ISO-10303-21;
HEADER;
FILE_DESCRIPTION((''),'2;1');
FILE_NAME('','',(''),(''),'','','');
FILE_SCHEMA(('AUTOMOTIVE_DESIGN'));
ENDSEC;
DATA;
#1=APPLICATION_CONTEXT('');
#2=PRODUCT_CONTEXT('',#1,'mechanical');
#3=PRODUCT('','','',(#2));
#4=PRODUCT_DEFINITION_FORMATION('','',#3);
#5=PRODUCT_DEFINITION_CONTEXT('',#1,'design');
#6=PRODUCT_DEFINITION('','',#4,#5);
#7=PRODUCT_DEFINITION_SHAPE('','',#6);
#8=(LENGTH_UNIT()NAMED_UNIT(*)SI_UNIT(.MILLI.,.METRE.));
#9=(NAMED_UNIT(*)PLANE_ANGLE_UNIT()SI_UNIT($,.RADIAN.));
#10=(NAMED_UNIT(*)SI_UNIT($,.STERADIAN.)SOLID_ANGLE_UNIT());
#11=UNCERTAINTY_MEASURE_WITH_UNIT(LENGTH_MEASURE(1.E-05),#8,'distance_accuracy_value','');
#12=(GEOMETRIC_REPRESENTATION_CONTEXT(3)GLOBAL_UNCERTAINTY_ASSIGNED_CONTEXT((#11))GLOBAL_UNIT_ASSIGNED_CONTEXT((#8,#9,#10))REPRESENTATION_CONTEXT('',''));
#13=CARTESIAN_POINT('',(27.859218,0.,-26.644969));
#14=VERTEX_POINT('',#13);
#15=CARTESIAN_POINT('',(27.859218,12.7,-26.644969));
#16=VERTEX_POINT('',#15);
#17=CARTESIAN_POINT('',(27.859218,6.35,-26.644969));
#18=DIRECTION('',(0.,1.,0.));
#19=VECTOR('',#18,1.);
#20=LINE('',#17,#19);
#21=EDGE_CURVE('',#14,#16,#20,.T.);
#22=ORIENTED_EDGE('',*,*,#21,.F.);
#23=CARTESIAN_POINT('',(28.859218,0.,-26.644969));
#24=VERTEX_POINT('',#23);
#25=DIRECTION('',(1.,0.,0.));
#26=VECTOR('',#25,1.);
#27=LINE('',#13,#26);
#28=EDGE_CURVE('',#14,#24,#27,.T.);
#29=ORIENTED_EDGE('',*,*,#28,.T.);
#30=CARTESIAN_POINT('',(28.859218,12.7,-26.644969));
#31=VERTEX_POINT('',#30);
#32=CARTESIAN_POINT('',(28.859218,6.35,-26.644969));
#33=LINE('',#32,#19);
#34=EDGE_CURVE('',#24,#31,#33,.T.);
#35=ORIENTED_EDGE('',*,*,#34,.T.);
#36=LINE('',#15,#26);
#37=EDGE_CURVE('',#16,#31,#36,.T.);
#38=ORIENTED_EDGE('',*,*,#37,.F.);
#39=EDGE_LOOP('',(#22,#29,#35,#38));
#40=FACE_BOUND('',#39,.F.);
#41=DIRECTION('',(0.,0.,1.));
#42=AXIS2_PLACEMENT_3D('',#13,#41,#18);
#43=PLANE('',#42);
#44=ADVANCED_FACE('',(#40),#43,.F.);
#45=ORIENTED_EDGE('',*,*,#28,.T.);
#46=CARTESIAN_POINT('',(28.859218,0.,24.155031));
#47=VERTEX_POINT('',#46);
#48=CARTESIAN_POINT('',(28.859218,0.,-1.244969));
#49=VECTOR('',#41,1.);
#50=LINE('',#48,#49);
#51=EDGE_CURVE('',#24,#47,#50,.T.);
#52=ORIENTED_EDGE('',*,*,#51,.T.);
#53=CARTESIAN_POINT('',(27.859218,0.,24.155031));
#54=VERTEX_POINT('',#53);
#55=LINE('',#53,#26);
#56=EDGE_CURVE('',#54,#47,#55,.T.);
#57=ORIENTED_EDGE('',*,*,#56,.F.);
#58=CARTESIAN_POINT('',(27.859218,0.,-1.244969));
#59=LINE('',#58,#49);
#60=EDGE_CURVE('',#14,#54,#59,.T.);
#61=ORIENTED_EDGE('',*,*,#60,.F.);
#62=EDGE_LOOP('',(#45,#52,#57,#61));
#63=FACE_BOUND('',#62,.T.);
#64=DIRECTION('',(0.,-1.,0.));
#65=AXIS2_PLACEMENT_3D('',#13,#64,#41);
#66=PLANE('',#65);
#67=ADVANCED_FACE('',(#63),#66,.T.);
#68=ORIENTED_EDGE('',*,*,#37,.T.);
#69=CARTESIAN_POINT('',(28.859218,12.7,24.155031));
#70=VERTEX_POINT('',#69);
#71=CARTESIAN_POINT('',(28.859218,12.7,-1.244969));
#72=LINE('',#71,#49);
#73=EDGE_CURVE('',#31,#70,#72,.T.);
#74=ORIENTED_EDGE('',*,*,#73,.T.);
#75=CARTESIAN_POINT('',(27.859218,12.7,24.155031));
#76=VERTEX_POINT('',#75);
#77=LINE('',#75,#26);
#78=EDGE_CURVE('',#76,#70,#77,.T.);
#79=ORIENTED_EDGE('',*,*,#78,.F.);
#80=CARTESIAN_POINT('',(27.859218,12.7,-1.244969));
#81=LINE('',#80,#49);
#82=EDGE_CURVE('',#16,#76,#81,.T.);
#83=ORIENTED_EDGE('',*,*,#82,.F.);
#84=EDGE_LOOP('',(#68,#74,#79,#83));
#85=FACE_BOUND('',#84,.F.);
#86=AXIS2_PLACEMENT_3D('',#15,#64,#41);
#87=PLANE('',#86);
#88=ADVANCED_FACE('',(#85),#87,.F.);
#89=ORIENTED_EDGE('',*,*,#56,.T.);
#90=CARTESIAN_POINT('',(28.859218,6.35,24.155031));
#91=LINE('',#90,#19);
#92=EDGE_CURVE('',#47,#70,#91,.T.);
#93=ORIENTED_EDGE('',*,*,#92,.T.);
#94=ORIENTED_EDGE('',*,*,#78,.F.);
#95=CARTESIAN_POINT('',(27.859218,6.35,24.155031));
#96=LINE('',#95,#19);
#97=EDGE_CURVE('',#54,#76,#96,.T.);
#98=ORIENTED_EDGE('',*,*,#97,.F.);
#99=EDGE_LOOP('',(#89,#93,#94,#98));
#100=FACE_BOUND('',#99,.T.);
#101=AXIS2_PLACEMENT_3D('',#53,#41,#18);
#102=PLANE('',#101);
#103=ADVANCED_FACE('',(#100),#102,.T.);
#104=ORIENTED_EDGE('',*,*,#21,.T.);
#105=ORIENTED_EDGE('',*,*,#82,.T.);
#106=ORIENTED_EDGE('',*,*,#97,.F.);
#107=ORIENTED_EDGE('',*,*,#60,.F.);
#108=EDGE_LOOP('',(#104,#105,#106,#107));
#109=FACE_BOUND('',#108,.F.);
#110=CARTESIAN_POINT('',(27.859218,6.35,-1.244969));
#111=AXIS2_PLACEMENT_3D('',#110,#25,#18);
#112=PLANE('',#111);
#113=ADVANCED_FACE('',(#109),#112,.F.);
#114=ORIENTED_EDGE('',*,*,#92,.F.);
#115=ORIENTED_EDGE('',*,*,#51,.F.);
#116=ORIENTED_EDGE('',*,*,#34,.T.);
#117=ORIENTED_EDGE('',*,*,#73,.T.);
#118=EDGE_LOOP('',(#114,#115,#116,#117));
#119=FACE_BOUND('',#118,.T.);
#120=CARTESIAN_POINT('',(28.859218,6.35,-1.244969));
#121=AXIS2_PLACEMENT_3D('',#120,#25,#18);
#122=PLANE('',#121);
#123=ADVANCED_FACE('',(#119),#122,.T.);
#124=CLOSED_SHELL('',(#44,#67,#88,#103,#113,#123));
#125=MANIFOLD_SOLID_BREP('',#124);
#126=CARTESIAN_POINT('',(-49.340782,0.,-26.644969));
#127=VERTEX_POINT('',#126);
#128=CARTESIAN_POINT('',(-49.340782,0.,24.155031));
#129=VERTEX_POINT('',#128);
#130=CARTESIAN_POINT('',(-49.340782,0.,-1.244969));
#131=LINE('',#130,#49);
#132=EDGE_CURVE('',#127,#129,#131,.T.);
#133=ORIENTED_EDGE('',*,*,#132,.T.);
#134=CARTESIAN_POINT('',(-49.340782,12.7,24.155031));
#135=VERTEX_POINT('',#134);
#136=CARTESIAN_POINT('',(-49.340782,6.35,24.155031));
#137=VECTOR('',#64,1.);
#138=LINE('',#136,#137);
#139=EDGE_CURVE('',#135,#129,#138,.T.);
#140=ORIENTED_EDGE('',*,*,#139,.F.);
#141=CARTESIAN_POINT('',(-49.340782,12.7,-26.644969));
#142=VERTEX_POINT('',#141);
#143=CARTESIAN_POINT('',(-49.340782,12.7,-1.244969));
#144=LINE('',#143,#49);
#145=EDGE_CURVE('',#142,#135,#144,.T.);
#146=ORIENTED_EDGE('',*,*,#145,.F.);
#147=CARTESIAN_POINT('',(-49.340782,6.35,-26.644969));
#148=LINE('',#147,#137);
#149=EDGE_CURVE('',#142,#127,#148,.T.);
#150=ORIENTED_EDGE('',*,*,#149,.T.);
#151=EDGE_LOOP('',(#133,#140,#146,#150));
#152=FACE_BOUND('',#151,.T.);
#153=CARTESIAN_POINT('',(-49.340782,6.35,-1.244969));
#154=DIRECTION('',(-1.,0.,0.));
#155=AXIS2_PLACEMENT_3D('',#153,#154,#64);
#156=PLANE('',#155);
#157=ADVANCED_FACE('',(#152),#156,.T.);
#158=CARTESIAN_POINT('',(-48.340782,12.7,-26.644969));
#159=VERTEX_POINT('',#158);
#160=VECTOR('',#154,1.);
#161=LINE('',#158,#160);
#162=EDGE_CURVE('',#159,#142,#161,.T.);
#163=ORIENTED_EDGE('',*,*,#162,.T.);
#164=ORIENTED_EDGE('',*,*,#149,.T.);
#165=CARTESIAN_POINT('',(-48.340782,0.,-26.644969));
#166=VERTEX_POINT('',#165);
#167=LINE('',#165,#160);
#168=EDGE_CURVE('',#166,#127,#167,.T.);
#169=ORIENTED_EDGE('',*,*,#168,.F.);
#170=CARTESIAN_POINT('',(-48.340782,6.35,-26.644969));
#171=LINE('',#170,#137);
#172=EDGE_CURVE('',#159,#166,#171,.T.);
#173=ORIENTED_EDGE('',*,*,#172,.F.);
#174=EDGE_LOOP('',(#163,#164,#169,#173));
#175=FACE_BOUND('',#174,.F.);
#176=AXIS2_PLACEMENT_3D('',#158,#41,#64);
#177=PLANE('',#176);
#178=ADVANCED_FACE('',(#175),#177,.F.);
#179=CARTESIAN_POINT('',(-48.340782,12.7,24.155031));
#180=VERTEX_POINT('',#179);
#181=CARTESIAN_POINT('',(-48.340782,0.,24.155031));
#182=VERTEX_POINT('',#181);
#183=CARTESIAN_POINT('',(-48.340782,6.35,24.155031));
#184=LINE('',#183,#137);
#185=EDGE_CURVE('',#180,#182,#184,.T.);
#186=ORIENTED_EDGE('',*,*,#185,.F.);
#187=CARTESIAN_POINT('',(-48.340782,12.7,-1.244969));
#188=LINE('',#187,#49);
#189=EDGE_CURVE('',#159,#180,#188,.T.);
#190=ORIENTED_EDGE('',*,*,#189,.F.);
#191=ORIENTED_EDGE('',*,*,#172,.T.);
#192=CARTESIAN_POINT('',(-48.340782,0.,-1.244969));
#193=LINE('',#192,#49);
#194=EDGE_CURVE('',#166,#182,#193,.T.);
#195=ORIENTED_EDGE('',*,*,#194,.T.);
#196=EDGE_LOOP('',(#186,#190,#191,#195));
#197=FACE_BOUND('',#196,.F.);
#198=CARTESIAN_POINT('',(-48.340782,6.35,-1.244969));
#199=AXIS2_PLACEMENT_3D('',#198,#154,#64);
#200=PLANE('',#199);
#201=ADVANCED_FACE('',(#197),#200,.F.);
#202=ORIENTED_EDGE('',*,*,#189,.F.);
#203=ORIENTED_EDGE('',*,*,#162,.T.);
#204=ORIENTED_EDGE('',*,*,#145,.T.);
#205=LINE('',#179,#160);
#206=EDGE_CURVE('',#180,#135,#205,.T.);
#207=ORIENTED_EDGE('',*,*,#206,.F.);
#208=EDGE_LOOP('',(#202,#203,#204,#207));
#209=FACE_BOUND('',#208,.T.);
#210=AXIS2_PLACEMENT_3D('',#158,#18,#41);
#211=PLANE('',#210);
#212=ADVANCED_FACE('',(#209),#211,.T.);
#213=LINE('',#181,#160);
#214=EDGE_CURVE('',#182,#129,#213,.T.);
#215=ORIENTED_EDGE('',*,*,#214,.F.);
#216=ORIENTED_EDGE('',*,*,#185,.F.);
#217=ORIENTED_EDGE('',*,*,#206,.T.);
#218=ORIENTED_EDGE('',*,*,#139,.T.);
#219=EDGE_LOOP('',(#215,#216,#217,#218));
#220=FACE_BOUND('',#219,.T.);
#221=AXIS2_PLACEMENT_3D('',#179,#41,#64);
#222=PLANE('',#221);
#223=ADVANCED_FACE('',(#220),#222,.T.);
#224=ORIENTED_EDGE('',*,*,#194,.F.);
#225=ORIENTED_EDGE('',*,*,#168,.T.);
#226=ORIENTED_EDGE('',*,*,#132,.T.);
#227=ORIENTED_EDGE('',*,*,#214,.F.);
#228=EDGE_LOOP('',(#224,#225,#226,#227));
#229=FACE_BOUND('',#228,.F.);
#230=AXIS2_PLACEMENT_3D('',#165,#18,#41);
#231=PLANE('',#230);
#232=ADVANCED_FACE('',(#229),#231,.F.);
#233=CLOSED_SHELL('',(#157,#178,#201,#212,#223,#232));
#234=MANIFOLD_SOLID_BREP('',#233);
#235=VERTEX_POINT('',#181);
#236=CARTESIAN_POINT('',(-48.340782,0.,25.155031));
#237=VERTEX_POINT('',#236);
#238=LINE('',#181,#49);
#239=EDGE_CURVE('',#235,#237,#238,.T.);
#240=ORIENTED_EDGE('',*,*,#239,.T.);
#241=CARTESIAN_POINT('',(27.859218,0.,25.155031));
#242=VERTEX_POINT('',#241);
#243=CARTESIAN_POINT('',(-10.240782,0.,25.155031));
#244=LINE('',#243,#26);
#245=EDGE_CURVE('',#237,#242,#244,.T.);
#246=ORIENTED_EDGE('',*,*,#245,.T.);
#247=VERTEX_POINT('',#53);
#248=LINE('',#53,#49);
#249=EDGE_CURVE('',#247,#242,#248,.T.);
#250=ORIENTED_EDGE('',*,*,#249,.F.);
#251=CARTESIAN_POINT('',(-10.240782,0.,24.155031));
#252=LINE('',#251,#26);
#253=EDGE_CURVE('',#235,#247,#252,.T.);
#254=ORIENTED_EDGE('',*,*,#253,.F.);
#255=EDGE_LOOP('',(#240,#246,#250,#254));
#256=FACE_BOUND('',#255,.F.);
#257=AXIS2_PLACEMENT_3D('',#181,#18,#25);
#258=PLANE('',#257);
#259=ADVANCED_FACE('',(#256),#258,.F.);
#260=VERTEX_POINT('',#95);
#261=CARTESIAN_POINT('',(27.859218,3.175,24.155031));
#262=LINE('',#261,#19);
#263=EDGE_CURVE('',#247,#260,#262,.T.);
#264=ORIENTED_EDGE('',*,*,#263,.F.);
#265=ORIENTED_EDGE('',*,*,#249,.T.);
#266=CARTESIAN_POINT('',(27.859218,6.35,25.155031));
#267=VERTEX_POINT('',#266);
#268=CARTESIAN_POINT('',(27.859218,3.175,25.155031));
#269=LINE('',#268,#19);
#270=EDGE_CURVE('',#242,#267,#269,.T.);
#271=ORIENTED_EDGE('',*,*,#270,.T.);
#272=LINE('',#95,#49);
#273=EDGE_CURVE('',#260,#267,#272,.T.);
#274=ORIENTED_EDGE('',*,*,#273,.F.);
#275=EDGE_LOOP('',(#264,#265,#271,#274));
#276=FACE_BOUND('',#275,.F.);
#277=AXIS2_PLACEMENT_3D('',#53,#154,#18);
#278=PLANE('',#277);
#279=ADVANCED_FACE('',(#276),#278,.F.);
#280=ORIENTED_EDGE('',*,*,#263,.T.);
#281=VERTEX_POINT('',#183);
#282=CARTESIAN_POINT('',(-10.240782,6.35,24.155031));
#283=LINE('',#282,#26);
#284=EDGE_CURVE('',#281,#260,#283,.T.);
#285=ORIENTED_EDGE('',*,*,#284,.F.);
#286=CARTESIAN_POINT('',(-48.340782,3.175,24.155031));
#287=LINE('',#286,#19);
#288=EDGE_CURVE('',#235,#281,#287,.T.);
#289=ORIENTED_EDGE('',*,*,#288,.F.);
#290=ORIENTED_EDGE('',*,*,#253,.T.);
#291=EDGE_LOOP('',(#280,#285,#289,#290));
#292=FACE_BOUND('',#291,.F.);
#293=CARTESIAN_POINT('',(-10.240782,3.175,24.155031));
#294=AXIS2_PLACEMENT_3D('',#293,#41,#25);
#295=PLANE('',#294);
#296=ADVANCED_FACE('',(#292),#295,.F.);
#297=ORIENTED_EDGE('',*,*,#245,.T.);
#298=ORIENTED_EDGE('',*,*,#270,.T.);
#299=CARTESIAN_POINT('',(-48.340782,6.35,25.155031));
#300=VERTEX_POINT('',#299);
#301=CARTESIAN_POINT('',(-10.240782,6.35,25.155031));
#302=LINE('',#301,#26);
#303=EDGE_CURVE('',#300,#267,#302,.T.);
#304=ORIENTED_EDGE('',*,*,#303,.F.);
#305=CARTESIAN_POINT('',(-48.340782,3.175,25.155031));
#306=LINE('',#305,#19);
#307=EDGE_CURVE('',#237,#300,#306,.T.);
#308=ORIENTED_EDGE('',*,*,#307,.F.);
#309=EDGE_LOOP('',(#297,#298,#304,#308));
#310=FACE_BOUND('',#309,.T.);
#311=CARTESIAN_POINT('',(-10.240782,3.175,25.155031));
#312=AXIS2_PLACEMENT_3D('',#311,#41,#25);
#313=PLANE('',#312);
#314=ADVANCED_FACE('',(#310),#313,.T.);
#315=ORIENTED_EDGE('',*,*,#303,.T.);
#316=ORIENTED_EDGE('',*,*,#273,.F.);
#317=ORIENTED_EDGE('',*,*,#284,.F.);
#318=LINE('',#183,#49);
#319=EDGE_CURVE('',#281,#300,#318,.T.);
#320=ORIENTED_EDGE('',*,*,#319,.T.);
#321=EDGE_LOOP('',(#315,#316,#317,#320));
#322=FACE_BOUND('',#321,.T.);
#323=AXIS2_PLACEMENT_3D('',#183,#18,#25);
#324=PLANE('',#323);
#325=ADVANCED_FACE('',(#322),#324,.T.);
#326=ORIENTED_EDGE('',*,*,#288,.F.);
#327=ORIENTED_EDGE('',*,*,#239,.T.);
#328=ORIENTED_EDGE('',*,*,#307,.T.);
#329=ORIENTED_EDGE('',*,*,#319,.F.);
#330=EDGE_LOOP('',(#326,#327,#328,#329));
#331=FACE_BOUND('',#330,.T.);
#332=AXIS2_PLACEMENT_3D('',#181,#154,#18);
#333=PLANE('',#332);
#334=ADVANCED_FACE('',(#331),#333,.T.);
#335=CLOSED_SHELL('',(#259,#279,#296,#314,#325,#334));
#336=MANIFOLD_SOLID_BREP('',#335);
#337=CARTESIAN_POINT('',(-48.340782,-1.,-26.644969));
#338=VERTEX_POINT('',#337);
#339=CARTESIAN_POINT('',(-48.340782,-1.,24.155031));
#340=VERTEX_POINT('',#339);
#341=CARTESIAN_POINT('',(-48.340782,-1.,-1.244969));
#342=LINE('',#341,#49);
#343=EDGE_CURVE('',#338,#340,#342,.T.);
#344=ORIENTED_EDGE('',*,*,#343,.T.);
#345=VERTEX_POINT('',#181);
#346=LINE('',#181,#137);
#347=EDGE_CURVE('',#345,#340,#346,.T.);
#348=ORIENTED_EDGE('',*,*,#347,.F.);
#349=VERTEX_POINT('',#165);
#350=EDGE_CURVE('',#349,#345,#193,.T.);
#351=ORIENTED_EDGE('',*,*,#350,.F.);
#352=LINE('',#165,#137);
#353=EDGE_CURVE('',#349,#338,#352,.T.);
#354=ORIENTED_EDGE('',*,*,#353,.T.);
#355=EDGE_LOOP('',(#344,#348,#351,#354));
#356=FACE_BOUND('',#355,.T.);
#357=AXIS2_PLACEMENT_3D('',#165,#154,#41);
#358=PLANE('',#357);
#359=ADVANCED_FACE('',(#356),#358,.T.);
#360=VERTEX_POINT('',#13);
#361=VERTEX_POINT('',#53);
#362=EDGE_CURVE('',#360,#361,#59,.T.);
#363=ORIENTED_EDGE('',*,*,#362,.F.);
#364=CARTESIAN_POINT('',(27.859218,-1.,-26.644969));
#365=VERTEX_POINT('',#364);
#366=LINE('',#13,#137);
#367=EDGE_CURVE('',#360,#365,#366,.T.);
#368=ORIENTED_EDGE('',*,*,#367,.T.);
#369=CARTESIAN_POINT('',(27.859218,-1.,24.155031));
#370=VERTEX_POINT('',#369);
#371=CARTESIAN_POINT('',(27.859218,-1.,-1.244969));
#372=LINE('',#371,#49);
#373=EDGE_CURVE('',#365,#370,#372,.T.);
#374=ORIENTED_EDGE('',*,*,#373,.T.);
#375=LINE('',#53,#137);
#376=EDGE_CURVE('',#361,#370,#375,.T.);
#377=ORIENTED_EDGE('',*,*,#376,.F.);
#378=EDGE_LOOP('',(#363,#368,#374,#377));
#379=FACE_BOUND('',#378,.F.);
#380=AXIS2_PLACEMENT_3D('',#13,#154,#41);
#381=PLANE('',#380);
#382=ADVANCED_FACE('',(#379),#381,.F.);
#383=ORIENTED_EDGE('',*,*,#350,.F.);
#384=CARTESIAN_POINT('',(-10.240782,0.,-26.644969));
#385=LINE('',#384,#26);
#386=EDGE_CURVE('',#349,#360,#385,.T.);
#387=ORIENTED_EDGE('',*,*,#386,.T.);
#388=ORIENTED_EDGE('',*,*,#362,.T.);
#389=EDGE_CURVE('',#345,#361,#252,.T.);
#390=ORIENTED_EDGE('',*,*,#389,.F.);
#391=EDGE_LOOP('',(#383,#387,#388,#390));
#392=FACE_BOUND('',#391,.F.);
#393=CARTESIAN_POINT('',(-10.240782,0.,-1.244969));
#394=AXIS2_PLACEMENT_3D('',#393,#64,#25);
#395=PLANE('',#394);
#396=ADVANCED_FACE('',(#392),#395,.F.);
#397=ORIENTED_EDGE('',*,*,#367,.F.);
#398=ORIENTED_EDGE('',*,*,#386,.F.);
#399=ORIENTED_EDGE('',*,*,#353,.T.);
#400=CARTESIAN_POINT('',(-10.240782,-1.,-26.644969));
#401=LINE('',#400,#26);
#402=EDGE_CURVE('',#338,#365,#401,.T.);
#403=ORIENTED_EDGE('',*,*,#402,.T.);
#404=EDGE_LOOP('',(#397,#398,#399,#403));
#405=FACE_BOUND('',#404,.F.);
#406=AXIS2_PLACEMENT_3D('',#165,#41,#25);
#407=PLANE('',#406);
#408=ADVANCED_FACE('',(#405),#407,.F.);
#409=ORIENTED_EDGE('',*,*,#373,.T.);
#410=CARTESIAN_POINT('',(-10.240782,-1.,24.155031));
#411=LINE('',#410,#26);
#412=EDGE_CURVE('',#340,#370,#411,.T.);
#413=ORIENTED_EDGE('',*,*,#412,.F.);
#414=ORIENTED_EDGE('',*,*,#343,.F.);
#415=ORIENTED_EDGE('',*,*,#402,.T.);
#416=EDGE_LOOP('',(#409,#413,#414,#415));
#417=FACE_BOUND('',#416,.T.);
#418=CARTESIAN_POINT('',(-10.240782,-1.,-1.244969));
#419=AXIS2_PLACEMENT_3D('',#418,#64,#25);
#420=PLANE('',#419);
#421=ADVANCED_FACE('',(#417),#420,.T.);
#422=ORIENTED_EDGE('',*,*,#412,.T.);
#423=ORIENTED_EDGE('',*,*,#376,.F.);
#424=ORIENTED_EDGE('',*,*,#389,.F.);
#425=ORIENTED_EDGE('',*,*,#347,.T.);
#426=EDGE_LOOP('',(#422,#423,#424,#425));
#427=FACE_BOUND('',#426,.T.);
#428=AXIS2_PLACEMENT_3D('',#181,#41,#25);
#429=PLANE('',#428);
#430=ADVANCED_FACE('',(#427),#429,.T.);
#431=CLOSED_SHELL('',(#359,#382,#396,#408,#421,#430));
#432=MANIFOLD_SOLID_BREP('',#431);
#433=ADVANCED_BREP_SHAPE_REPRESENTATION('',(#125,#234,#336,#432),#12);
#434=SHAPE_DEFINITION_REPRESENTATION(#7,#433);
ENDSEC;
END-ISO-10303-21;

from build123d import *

# Parameters (mm, degrees)
F0_W     = 76.2
F0_H     = 50.8
F1_DEPTH = 1
F2_W     = 12.7
F2_H     = 50.8
F3_DEPTH = 1
F4_W     = 12.7
F4_H     = 50.8
F5_DEPTH = 1
F6_W     = 76.2
F6_H     = 6.35
F7_DEPTH = 1


with BuildPart() as f1:
    # F0 (on Front) → F1 (new body)
    with BuildSketch(Plane.XZ):
        with Locations((-10.240782, -1.244969)):
            Rectangle(F0_W, F0_H)
    extrude(amount=F1_DEPTH)


with BuildPart() as f3:
    # F2 (on face) → F3 (new body)
    with BuildSketch(Plane.YZ.offset(27.859218)):
        with Locations((6.35, -1.244969)):
            Rectangle(F2_W, F2_H)
    extrude(amount=F3_DEPTH)


with BuildPart() as f5:
    # F4 (on face) → F5 (new body)
    with BuildSketch(Plane(origin=(-48.340782, 0, 0), x_dir=(0, -1, 0), z_dir=(-1, 0, 0))):
        with Locations((-6.35, -1.244969)):
            Rectangle(F4_W, F4_H)
    extrude(amount=F5_DEPTH)


with BuildPart() as f7:
    # F6 (on face) → F7 (new body)
    with BuildSketch(Plane.XY.offset(24.155031)):
        with Locations((-10.240782, 3.175)):
            Rectangle(F6_W, F6_H)
    extrude(amount=F7_DEPTH)


solid = Compound([f1.part, f3.part, f5.part, f7.part])
